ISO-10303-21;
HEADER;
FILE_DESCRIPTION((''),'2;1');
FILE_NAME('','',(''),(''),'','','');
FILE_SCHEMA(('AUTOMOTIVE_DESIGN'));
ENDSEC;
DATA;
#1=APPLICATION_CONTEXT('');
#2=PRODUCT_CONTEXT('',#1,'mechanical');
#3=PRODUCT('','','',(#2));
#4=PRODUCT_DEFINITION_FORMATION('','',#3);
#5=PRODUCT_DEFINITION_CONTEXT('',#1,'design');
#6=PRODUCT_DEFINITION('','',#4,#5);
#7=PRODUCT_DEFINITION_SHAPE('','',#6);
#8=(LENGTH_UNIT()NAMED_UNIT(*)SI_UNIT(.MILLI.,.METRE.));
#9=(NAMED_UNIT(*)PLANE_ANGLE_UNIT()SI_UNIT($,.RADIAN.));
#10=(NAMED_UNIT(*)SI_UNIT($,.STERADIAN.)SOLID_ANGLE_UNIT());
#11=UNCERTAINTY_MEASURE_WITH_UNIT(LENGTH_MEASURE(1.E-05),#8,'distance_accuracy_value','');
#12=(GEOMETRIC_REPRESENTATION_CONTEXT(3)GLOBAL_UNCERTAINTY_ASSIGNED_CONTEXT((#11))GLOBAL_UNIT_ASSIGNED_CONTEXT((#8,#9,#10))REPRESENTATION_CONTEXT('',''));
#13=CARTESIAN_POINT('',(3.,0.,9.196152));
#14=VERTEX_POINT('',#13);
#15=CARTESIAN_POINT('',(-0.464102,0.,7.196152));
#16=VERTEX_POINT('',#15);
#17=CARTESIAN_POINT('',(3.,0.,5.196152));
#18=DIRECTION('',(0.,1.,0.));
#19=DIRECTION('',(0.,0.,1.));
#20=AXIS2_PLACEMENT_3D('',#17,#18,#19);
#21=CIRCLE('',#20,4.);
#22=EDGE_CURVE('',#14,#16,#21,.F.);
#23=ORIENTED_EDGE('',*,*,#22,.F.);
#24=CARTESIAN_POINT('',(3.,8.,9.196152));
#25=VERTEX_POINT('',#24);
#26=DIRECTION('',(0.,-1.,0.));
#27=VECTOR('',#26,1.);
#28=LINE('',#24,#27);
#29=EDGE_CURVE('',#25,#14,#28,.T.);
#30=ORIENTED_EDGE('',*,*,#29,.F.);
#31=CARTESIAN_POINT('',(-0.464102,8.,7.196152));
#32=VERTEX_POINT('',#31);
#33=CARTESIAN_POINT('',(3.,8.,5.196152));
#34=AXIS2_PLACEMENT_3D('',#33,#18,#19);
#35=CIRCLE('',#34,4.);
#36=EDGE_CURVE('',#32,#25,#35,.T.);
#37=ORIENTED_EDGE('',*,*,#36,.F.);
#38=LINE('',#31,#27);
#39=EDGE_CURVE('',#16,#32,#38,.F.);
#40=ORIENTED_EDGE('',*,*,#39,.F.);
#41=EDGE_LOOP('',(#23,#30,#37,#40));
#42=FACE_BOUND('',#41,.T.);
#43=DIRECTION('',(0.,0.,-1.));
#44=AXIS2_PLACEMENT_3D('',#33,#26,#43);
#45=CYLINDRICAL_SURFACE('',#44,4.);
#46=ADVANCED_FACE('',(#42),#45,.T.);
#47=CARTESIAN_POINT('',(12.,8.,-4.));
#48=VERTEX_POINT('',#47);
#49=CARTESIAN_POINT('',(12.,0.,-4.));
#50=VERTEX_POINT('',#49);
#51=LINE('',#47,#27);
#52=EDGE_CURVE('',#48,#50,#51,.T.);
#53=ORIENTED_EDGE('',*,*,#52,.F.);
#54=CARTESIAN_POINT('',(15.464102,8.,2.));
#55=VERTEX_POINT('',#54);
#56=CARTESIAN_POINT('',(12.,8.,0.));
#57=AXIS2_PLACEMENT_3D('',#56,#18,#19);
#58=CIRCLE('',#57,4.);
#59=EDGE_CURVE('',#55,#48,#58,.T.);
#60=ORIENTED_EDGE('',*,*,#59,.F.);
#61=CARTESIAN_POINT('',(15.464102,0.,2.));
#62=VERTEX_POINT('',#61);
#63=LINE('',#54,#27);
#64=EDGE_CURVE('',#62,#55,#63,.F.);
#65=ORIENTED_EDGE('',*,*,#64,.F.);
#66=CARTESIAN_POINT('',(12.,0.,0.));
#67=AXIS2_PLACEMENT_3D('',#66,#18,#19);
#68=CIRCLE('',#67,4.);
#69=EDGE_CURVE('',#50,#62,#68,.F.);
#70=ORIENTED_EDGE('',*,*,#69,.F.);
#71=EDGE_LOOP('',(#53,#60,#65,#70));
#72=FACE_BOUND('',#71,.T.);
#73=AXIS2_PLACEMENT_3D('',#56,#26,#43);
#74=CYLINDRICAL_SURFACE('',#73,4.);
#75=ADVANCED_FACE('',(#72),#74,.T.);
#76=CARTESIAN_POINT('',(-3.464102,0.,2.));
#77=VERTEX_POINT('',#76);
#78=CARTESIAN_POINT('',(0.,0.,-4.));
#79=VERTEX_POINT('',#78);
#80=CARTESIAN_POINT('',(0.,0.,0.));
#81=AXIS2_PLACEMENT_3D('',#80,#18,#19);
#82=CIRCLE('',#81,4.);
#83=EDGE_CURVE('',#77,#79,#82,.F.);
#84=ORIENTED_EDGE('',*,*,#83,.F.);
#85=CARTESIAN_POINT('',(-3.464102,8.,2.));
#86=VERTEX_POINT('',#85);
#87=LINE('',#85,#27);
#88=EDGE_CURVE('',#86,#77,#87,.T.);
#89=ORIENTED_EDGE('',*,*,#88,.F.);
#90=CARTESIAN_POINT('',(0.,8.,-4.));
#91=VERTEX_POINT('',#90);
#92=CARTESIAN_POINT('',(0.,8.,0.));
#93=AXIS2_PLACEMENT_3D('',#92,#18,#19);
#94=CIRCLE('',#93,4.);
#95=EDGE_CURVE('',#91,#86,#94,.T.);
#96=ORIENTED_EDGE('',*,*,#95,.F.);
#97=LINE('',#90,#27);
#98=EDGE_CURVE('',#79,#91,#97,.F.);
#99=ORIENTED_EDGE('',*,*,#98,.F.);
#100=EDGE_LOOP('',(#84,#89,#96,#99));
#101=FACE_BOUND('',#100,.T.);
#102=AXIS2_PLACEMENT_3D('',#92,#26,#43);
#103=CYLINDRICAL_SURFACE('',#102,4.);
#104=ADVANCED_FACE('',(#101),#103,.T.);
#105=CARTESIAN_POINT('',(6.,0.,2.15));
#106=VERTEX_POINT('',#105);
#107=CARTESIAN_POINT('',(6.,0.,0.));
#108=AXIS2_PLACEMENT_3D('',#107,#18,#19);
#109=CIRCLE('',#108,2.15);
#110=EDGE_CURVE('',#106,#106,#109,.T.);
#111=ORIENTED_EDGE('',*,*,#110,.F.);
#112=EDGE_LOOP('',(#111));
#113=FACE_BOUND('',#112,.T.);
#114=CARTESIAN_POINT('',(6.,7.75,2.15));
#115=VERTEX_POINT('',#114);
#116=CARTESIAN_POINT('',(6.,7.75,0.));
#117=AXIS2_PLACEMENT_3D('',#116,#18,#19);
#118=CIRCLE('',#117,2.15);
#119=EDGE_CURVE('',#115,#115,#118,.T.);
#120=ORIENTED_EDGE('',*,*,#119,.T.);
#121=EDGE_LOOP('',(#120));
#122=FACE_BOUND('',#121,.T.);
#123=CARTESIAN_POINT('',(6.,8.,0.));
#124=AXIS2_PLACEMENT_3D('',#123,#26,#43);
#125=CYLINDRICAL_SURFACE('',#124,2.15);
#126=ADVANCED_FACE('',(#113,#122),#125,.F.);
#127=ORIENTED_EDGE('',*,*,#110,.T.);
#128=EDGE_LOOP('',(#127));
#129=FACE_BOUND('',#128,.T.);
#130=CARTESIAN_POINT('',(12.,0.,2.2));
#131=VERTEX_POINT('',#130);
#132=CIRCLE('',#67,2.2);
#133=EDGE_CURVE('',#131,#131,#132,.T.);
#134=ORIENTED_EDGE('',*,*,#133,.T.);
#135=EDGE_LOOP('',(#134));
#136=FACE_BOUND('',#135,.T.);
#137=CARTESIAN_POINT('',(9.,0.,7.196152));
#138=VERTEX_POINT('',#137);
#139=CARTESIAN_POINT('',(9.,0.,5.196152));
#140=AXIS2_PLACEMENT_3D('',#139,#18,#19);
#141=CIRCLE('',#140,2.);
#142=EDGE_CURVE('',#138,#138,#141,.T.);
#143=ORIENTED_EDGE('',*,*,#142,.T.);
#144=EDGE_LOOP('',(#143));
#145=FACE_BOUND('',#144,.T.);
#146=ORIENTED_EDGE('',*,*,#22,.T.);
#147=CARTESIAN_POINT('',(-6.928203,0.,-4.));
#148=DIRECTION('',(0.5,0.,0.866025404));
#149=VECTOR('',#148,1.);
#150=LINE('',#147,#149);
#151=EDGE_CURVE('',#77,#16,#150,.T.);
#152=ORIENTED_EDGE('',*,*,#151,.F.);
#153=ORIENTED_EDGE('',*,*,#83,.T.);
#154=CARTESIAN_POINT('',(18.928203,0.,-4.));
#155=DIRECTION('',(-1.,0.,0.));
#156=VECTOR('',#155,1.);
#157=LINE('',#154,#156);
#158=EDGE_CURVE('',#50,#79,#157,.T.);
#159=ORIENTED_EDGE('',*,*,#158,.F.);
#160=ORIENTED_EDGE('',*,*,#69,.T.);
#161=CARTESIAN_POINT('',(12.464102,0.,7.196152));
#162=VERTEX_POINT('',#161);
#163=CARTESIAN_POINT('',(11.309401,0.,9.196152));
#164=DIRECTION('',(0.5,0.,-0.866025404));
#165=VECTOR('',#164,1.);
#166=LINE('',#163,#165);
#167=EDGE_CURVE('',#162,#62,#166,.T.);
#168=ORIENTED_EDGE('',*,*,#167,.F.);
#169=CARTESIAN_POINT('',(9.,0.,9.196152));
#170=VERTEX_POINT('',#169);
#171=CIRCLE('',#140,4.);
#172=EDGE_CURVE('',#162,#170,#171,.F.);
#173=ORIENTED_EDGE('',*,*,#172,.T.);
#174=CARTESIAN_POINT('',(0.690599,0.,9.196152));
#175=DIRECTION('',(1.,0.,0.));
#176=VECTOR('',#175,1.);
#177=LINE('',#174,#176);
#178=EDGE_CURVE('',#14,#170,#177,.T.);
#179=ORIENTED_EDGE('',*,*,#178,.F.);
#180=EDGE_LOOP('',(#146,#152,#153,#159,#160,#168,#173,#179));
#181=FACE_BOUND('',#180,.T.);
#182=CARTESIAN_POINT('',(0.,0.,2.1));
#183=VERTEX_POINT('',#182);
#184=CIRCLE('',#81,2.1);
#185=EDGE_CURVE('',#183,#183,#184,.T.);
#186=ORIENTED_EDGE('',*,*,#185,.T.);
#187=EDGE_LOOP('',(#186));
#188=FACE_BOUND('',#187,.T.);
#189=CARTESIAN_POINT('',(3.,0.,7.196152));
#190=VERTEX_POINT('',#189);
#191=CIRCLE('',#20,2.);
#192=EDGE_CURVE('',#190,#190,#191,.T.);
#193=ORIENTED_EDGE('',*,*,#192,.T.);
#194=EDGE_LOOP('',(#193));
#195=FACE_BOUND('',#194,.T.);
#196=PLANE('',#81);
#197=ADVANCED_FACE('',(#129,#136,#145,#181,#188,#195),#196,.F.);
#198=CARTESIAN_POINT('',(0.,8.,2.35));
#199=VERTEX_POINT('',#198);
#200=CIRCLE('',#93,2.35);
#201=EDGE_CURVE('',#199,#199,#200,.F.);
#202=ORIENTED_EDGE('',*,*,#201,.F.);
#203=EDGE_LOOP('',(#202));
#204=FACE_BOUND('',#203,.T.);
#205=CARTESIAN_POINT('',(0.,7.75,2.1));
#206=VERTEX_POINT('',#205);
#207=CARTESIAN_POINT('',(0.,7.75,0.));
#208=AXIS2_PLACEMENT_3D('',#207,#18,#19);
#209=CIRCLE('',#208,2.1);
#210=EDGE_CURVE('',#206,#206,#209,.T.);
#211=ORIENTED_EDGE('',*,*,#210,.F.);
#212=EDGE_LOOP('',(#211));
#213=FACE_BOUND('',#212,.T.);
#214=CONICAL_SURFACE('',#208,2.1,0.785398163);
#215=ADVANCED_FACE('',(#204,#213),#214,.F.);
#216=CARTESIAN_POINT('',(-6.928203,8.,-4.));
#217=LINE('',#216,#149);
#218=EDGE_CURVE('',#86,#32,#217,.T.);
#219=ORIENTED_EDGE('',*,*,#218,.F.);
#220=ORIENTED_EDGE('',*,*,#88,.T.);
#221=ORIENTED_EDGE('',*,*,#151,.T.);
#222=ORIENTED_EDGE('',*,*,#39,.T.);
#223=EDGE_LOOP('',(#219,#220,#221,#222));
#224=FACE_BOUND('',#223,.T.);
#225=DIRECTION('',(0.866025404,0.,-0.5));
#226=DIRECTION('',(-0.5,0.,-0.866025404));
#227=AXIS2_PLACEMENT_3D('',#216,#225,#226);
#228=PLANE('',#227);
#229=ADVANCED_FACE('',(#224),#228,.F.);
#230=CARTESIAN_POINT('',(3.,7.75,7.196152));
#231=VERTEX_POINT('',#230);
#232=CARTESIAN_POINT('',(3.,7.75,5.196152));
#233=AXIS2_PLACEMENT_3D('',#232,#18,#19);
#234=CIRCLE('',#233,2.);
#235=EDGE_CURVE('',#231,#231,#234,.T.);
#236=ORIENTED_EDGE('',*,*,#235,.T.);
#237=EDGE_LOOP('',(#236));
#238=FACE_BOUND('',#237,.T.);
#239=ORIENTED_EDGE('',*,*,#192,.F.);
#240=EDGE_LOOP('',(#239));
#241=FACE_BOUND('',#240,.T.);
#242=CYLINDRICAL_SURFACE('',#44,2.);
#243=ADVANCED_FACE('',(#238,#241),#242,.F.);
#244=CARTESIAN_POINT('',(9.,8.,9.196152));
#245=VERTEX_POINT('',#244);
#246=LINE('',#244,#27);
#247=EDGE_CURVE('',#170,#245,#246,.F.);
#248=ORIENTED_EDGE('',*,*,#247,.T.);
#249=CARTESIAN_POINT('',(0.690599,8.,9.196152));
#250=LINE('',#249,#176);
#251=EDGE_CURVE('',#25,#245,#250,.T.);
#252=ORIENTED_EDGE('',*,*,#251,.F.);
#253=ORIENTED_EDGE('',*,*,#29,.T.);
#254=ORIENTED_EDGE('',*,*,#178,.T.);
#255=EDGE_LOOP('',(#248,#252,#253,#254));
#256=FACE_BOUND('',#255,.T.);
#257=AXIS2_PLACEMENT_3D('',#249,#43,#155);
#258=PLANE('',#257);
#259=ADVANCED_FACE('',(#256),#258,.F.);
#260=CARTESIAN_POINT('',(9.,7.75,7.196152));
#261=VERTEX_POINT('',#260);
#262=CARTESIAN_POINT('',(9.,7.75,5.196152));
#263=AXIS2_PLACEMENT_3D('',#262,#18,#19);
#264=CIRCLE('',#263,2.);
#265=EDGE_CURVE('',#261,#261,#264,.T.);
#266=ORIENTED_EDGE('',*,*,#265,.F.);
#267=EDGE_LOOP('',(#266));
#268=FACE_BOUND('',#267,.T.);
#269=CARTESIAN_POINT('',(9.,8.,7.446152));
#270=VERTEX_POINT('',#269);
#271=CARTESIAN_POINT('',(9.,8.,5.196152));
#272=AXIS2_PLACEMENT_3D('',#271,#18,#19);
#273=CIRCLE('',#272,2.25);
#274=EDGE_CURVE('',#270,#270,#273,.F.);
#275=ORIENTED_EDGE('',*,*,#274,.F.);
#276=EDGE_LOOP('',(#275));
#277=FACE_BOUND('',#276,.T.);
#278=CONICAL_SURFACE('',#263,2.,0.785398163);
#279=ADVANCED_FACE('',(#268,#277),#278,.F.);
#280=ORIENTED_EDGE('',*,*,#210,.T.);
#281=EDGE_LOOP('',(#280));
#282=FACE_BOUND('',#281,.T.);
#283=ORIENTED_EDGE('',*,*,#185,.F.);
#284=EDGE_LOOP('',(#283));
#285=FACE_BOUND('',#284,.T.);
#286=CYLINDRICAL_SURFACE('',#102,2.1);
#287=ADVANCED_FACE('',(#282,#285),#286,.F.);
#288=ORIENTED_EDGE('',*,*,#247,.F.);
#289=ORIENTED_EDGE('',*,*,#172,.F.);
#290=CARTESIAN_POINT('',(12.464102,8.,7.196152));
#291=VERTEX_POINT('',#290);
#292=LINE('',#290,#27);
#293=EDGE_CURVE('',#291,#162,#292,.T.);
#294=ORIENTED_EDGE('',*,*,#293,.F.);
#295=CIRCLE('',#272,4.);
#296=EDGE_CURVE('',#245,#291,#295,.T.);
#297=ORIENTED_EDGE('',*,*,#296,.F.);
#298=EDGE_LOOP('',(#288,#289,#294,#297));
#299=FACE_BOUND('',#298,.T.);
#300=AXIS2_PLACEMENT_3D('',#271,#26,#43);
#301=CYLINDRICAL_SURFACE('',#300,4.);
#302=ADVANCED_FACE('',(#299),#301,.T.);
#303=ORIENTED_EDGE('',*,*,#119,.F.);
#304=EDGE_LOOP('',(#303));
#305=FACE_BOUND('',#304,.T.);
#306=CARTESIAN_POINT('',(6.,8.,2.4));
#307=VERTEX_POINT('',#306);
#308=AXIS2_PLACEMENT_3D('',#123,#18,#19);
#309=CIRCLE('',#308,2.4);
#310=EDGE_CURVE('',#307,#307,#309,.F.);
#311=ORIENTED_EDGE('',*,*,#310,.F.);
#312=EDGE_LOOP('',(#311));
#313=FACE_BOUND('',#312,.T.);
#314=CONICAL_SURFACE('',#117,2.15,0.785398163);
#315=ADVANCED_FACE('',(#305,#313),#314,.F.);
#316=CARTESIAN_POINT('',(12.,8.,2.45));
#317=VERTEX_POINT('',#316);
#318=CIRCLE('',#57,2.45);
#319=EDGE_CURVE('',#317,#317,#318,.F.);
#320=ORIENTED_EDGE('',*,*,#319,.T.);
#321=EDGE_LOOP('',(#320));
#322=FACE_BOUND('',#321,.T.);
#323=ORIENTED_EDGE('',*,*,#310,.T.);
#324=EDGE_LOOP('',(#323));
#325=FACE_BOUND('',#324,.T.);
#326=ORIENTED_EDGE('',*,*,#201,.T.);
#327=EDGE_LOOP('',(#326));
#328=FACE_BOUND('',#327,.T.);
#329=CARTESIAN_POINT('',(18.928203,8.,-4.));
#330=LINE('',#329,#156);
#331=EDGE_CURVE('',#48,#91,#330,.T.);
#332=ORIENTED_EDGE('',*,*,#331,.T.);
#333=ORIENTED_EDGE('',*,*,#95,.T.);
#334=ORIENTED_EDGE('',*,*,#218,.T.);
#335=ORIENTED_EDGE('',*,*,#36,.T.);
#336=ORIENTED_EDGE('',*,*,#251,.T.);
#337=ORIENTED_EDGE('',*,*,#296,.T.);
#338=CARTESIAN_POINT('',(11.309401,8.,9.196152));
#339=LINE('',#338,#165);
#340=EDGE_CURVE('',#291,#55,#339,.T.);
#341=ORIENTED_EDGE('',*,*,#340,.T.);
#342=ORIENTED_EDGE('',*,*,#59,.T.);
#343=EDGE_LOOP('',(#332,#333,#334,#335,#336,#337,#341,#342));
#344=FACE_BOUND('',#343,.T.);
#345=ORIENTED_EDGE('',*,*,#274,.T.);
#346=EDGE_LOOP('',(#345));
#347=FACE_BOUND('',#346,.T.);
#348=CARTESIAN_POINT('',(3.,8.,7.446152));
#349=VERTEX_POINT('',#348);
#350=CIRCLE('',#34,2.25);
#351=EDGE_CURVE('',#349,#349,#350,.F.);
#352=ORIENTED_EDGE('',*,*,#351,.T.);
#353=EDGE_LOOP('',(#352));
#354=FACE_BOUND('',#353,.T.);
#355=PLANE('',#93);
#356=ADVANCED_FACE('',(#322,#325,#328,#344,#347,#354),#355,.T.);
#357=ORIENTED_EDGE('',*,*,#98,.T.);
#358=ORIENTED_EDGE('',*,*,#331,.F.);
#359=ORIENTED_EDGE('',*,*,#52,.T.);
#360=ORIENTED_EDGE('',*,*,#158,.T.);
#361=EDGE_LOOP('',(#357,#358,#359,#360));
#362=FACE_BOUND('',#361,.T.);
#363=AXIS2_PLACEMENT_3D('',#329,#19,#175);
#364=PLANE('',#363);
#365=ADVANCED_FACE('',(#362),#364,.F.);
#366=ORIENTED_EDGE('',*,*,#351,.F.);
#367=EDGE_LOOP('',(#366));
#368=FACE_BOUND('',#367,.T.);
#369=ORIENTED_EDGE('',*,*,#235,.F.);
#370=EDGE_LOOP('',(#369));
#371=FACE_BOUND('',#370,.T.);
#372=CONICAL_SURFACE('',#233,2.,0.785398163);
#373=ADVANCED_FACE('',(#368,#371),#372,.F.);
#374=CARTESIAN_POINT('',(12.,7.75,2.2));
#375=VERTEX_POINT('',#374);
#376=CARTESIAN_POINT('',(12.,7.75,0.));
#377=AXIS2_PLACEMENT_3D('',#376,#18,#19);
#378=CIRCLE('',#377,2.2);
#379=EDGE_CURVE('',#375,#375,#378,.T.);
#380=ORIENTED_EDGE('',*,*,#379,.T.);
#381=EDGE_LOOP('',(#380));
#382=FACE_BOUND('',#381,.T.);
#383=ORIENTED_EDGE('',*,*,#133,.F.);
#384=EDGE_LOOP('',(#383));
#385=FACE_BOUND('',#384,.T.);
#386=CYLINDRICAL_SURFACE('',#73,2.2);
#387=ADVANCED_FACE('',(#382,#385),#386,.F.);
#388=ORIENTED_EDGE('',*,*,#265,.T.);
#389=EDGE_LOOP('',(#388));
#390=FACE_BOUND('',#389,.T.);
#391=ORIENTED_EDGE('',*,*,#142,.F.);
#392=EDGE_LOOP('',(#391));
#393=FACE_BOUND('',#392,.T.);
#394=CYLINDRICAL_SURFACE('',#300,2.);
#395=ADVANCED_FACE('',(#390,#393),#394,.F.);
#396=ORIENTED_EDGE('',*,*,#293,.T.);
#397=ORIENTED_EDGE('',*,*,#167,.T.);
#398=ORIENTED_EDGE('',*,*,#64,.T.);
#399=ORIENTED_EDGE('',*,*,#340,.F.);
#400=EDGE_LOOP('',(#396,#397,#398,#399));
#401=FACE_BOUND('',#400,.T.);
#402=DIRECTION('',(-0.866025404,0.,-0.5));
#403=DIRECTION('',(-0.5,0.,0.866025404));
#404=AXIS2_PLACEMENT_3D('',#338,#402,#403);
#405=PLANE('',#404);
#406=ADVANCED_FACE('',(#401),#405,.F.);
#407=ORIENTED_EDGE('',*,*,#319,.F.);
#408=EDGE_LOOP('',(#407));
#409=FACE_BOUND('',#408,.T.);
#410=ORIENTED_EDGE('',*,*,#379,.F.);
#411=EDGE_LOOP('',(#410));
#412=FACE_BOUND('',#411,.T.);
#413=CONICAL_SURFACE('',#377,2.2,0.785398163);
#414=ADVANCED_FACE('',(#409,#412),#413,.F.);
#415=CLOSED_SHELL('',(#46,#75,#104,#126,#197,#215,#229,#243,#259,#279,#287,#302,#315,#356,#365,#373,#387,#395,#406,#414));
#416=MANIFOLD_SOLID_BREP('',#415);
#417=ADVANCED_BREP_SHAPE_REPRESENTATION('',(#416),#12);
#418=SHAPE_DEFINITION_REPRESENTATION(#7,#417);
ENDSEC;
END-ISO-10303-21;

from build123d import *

# Parameters (mm, degrees)
SKETCH1_R           = 2.1
SKETCH1_R_2         = 2.15
SKETCH1_R_3         = 2.2
SKETCH1_R_4         = 2
BOSS_EXTRUDE1_DEPTH = 8
FILLET1_R           = 4
CHAMFER1_SIZE       = 0.25


with BuildPart() as part:
    # Sketch1 → Boss-Extrude1 (new body)
    with BuildSketch(Plane(origin=(0, 0, 0), x_dir=(1, 0, 0), z_dir=(0, 1, 0))):
        Polygon((-6.92820323, 4), (0.690598923, -9.196152423), (11.309401077, -9.196152423), (18.92820323, 4), align=None)
        with Locations(Location((0, 0, 0), (0, 0, 270))):
            Circle(SKETCH1_R, mode=Mode.SUBTRACT)
        with Locations(Location((6, 0, 0), (0, 0, 270))):
            Circle(SKETCH1_R_2, mode=Mode.SUBTRACT)
        with Locations(Location((12, 0, 0), (0, 0, 270))):
            Circle(SKETCH1_R_3, mode=Mode.SUBTRACT)
        with Locations(Location((3, -5.196152423, 0), (0, 0, 270))):
            Circle(SKETCH1_R_4, mode=Mode.SUBTRACT)
        with Locations(Location((9, -5.196152423, 0), (0, 0, 270))):
            Circle(SKETCH1_R_4, mode=Mode.SUBTRACT)
    extrude(amount=BOSS_EXTRUDE1_DEPTH)

    # Fillet1
    fillet1_edges = [part.edges().sort_by_distance(p)[0] for p in [
        (18.92820323, 4, -4),
        (11.309401077, 4, 9.196152423),
        (0.690598923, 4, 9.196152423),
        (-6.92820323, 4, -4),
    ]]
    fillet(fillet1_edges, radius=FILLET1_R)

    # Chamfer1
    chamfer1_edges = [part.edges().sort_by_distance(p)[0] for p in [
        (0, 8, -2.1),
        (6, 8, -2.15),
        (12, 8, -2.2),
        (9, 8, 3.196152423),
        (3, 8, 3.196152423),
    ]]
    chamfer(chamfer1_edges, length=CHAMFER1_SIZE)


solid = part.part
